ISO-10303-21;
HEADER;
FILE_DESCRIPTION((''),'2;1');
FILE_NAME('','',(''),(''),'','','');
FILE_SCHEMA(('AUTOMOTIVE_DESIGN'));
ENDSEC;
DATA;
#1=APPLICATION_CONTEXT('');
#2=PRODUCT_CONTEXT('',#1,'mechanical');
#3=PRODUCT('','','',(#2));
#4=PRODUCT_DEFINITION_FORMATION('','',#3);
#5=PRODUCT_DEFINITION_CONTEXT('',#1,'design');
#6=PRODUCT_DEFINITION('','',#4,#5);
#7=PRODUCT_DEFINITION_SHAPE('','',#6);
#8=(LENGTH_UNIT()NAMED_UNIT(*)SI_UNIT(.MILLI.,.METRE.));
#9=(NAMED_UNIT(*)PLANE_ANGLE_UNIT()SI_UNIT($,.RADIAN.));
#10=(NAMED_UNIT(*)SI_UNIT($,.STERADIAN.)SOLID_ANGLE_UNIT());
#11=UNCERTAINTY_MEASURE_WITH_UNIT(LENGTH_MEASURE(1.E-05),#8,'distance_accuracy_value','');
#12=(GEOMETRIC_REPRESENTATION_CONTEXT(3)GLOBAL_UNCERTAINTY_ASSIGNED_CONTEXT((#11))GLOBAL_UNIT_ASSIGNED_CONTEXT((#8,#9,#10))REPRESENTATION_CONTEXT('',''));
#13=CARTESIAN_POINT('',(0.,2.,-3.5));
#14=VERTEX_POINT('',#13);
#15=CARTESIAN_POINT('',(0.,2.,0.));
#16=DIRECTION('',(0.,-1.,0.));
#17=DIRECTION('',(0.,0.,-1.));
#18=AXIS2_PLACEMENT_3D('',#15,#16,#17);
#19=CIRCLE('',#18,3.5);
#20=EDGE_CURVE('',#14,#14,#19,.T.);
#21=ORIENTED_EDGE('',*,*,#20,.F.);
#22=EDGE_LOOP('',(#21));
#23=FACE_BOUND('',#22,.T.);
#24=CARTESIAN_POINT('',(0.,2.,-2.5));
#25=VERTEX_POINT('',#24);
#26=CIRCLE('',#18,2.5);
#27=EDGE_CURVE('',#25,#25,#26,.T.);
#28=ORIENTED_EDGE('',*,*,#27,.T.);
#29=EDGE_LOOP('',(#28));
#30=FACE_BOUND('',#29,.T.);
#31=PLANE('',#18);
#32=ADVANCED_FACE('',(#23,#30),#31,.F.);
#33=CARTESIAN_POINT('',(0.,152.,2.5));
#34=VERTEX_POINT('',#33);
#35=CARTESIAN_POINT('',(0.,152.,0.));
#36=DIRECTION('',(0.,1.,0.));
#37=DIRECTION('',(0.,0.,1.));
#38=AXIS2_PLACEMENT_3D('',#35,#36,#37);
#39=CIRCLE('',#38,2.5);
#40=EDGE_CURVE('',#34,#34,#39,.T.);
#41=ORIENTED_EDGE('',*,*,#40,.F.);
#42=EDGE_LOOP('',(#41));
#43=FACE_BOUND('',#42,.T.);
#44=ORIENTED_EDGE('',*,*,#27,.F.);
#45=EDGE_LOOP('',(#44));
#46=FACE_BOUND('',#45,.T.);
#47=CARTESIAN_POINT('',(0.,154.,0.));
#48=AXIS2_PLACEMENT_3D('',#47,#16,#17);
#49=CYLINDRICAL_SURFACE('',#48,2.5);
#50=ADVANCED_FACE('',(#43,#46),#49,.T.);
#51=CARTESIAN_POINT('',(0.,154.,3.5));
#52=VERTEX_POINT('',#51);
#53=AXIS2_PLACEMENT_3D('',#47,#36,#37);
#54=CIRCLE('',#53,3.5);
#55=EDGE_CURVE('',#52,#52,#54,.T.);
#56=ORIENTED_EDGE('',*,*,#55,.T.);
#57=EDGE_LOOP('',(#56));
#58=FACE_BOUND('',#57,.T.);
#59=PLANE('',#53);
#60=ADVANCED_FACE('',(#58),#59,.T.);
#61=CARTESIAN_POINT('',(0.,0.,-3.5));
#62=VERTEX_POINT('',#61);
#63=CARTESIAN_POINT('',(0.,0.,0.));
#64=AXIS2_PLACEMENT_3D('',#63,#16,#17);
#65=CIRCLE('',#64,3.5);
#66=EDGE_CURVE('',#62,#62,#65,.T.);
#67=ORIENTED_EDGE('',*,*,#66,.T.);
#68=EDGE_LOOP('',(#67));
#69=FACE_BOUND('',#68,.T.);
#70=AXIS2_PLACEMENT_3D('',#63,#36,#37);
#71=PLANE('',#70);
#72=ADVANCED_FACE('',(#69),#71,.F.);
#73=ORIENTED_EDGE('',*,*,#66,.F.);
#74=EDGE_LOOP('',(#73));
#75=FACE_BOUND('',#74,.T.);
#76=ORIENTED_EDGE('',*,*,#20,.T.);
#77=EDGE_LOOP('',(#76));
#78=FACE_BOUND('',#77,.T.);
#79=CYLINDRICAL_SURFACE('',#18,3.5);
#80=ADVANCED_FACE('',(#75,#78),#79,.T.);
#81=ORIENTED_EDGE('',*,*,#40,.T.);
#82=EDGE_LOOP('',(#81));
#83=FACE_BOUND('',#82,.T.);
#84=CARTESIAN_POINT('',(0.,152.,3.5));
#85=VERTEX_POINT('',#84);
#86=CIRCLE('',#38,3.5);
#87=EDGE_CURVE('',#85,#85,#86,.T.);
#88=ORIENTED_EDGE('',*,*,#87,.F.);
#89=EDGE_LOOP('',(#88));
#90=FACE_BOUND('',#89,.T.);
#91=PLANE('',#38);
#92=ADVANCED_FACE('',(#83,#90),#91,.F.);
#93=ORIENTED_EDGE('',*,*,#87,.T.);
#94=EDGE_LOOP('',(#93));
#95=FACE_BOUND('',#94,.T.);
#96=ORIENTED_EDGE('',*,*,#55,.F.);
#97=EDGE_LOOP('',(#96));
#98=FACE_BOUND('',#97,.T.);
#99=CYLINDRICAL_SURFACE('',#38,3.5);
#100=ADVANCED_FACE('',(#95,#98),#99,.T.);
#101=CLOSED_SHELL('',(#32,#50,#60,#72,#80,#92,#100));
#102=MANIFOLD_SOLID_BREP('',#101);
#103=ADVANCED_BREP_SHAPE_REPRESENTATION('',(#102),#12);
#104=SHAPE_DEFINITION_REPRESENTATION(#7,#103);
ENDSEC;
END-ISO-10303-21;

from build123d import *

# Parameters (mm, degrees)
SKETCH1_R           = 2.5
BOSS_EXTRUDE1_DEPTH = 154
SKETCH2_R           = 3.5
BOSS_EXTRUDE2_DEPTH = 2
BOSS_EXTRUDE3_START = -2
SKETCH3_R           = 3.5
BOSS_EXTRUDE3_DEPTH = 2


with BuildPart() as part:
    # Sketch1 → Boss-Extrude1 (new body)
    with BuildSketch(Plane(origin=(0, 0, 0), x_dir=(1, 0, 0), z_dir=(0, 1, 0))):
        with Locations(Location((0, 0, 0), (0, 0, 270))):
            Circle(SKETCH1_R)
    extrude(amount=BOSS_EXTRUDE1_DEPTH)

    # Sketch2 → Boss-Extrude2 (add)
    with BuildSketch(Plane.XZ):
        with Locations(Location((0, 0, 0), (0, 0, 270))):
            Circle(SKETCH2_R)
    extrude(amount=-BOSS_EXTRUDE2_DEPTH)

    # Sketch3 → Boss-Extrude3 (add)
    with BuildSketch(Plane(origin=(0, 154, 0), x_dir=(1, 0, 0), z_dir=(0, 1, 0)).offset(BOSS_EXTRUDE3_START)):
        with Locations(Location((0, 0, 0), (0, 0, 90))):
            Circle(SKETCH3_R)
    extrude(amount=BOSS_EXTRUDE3_DEPTH)


solid = part.part
